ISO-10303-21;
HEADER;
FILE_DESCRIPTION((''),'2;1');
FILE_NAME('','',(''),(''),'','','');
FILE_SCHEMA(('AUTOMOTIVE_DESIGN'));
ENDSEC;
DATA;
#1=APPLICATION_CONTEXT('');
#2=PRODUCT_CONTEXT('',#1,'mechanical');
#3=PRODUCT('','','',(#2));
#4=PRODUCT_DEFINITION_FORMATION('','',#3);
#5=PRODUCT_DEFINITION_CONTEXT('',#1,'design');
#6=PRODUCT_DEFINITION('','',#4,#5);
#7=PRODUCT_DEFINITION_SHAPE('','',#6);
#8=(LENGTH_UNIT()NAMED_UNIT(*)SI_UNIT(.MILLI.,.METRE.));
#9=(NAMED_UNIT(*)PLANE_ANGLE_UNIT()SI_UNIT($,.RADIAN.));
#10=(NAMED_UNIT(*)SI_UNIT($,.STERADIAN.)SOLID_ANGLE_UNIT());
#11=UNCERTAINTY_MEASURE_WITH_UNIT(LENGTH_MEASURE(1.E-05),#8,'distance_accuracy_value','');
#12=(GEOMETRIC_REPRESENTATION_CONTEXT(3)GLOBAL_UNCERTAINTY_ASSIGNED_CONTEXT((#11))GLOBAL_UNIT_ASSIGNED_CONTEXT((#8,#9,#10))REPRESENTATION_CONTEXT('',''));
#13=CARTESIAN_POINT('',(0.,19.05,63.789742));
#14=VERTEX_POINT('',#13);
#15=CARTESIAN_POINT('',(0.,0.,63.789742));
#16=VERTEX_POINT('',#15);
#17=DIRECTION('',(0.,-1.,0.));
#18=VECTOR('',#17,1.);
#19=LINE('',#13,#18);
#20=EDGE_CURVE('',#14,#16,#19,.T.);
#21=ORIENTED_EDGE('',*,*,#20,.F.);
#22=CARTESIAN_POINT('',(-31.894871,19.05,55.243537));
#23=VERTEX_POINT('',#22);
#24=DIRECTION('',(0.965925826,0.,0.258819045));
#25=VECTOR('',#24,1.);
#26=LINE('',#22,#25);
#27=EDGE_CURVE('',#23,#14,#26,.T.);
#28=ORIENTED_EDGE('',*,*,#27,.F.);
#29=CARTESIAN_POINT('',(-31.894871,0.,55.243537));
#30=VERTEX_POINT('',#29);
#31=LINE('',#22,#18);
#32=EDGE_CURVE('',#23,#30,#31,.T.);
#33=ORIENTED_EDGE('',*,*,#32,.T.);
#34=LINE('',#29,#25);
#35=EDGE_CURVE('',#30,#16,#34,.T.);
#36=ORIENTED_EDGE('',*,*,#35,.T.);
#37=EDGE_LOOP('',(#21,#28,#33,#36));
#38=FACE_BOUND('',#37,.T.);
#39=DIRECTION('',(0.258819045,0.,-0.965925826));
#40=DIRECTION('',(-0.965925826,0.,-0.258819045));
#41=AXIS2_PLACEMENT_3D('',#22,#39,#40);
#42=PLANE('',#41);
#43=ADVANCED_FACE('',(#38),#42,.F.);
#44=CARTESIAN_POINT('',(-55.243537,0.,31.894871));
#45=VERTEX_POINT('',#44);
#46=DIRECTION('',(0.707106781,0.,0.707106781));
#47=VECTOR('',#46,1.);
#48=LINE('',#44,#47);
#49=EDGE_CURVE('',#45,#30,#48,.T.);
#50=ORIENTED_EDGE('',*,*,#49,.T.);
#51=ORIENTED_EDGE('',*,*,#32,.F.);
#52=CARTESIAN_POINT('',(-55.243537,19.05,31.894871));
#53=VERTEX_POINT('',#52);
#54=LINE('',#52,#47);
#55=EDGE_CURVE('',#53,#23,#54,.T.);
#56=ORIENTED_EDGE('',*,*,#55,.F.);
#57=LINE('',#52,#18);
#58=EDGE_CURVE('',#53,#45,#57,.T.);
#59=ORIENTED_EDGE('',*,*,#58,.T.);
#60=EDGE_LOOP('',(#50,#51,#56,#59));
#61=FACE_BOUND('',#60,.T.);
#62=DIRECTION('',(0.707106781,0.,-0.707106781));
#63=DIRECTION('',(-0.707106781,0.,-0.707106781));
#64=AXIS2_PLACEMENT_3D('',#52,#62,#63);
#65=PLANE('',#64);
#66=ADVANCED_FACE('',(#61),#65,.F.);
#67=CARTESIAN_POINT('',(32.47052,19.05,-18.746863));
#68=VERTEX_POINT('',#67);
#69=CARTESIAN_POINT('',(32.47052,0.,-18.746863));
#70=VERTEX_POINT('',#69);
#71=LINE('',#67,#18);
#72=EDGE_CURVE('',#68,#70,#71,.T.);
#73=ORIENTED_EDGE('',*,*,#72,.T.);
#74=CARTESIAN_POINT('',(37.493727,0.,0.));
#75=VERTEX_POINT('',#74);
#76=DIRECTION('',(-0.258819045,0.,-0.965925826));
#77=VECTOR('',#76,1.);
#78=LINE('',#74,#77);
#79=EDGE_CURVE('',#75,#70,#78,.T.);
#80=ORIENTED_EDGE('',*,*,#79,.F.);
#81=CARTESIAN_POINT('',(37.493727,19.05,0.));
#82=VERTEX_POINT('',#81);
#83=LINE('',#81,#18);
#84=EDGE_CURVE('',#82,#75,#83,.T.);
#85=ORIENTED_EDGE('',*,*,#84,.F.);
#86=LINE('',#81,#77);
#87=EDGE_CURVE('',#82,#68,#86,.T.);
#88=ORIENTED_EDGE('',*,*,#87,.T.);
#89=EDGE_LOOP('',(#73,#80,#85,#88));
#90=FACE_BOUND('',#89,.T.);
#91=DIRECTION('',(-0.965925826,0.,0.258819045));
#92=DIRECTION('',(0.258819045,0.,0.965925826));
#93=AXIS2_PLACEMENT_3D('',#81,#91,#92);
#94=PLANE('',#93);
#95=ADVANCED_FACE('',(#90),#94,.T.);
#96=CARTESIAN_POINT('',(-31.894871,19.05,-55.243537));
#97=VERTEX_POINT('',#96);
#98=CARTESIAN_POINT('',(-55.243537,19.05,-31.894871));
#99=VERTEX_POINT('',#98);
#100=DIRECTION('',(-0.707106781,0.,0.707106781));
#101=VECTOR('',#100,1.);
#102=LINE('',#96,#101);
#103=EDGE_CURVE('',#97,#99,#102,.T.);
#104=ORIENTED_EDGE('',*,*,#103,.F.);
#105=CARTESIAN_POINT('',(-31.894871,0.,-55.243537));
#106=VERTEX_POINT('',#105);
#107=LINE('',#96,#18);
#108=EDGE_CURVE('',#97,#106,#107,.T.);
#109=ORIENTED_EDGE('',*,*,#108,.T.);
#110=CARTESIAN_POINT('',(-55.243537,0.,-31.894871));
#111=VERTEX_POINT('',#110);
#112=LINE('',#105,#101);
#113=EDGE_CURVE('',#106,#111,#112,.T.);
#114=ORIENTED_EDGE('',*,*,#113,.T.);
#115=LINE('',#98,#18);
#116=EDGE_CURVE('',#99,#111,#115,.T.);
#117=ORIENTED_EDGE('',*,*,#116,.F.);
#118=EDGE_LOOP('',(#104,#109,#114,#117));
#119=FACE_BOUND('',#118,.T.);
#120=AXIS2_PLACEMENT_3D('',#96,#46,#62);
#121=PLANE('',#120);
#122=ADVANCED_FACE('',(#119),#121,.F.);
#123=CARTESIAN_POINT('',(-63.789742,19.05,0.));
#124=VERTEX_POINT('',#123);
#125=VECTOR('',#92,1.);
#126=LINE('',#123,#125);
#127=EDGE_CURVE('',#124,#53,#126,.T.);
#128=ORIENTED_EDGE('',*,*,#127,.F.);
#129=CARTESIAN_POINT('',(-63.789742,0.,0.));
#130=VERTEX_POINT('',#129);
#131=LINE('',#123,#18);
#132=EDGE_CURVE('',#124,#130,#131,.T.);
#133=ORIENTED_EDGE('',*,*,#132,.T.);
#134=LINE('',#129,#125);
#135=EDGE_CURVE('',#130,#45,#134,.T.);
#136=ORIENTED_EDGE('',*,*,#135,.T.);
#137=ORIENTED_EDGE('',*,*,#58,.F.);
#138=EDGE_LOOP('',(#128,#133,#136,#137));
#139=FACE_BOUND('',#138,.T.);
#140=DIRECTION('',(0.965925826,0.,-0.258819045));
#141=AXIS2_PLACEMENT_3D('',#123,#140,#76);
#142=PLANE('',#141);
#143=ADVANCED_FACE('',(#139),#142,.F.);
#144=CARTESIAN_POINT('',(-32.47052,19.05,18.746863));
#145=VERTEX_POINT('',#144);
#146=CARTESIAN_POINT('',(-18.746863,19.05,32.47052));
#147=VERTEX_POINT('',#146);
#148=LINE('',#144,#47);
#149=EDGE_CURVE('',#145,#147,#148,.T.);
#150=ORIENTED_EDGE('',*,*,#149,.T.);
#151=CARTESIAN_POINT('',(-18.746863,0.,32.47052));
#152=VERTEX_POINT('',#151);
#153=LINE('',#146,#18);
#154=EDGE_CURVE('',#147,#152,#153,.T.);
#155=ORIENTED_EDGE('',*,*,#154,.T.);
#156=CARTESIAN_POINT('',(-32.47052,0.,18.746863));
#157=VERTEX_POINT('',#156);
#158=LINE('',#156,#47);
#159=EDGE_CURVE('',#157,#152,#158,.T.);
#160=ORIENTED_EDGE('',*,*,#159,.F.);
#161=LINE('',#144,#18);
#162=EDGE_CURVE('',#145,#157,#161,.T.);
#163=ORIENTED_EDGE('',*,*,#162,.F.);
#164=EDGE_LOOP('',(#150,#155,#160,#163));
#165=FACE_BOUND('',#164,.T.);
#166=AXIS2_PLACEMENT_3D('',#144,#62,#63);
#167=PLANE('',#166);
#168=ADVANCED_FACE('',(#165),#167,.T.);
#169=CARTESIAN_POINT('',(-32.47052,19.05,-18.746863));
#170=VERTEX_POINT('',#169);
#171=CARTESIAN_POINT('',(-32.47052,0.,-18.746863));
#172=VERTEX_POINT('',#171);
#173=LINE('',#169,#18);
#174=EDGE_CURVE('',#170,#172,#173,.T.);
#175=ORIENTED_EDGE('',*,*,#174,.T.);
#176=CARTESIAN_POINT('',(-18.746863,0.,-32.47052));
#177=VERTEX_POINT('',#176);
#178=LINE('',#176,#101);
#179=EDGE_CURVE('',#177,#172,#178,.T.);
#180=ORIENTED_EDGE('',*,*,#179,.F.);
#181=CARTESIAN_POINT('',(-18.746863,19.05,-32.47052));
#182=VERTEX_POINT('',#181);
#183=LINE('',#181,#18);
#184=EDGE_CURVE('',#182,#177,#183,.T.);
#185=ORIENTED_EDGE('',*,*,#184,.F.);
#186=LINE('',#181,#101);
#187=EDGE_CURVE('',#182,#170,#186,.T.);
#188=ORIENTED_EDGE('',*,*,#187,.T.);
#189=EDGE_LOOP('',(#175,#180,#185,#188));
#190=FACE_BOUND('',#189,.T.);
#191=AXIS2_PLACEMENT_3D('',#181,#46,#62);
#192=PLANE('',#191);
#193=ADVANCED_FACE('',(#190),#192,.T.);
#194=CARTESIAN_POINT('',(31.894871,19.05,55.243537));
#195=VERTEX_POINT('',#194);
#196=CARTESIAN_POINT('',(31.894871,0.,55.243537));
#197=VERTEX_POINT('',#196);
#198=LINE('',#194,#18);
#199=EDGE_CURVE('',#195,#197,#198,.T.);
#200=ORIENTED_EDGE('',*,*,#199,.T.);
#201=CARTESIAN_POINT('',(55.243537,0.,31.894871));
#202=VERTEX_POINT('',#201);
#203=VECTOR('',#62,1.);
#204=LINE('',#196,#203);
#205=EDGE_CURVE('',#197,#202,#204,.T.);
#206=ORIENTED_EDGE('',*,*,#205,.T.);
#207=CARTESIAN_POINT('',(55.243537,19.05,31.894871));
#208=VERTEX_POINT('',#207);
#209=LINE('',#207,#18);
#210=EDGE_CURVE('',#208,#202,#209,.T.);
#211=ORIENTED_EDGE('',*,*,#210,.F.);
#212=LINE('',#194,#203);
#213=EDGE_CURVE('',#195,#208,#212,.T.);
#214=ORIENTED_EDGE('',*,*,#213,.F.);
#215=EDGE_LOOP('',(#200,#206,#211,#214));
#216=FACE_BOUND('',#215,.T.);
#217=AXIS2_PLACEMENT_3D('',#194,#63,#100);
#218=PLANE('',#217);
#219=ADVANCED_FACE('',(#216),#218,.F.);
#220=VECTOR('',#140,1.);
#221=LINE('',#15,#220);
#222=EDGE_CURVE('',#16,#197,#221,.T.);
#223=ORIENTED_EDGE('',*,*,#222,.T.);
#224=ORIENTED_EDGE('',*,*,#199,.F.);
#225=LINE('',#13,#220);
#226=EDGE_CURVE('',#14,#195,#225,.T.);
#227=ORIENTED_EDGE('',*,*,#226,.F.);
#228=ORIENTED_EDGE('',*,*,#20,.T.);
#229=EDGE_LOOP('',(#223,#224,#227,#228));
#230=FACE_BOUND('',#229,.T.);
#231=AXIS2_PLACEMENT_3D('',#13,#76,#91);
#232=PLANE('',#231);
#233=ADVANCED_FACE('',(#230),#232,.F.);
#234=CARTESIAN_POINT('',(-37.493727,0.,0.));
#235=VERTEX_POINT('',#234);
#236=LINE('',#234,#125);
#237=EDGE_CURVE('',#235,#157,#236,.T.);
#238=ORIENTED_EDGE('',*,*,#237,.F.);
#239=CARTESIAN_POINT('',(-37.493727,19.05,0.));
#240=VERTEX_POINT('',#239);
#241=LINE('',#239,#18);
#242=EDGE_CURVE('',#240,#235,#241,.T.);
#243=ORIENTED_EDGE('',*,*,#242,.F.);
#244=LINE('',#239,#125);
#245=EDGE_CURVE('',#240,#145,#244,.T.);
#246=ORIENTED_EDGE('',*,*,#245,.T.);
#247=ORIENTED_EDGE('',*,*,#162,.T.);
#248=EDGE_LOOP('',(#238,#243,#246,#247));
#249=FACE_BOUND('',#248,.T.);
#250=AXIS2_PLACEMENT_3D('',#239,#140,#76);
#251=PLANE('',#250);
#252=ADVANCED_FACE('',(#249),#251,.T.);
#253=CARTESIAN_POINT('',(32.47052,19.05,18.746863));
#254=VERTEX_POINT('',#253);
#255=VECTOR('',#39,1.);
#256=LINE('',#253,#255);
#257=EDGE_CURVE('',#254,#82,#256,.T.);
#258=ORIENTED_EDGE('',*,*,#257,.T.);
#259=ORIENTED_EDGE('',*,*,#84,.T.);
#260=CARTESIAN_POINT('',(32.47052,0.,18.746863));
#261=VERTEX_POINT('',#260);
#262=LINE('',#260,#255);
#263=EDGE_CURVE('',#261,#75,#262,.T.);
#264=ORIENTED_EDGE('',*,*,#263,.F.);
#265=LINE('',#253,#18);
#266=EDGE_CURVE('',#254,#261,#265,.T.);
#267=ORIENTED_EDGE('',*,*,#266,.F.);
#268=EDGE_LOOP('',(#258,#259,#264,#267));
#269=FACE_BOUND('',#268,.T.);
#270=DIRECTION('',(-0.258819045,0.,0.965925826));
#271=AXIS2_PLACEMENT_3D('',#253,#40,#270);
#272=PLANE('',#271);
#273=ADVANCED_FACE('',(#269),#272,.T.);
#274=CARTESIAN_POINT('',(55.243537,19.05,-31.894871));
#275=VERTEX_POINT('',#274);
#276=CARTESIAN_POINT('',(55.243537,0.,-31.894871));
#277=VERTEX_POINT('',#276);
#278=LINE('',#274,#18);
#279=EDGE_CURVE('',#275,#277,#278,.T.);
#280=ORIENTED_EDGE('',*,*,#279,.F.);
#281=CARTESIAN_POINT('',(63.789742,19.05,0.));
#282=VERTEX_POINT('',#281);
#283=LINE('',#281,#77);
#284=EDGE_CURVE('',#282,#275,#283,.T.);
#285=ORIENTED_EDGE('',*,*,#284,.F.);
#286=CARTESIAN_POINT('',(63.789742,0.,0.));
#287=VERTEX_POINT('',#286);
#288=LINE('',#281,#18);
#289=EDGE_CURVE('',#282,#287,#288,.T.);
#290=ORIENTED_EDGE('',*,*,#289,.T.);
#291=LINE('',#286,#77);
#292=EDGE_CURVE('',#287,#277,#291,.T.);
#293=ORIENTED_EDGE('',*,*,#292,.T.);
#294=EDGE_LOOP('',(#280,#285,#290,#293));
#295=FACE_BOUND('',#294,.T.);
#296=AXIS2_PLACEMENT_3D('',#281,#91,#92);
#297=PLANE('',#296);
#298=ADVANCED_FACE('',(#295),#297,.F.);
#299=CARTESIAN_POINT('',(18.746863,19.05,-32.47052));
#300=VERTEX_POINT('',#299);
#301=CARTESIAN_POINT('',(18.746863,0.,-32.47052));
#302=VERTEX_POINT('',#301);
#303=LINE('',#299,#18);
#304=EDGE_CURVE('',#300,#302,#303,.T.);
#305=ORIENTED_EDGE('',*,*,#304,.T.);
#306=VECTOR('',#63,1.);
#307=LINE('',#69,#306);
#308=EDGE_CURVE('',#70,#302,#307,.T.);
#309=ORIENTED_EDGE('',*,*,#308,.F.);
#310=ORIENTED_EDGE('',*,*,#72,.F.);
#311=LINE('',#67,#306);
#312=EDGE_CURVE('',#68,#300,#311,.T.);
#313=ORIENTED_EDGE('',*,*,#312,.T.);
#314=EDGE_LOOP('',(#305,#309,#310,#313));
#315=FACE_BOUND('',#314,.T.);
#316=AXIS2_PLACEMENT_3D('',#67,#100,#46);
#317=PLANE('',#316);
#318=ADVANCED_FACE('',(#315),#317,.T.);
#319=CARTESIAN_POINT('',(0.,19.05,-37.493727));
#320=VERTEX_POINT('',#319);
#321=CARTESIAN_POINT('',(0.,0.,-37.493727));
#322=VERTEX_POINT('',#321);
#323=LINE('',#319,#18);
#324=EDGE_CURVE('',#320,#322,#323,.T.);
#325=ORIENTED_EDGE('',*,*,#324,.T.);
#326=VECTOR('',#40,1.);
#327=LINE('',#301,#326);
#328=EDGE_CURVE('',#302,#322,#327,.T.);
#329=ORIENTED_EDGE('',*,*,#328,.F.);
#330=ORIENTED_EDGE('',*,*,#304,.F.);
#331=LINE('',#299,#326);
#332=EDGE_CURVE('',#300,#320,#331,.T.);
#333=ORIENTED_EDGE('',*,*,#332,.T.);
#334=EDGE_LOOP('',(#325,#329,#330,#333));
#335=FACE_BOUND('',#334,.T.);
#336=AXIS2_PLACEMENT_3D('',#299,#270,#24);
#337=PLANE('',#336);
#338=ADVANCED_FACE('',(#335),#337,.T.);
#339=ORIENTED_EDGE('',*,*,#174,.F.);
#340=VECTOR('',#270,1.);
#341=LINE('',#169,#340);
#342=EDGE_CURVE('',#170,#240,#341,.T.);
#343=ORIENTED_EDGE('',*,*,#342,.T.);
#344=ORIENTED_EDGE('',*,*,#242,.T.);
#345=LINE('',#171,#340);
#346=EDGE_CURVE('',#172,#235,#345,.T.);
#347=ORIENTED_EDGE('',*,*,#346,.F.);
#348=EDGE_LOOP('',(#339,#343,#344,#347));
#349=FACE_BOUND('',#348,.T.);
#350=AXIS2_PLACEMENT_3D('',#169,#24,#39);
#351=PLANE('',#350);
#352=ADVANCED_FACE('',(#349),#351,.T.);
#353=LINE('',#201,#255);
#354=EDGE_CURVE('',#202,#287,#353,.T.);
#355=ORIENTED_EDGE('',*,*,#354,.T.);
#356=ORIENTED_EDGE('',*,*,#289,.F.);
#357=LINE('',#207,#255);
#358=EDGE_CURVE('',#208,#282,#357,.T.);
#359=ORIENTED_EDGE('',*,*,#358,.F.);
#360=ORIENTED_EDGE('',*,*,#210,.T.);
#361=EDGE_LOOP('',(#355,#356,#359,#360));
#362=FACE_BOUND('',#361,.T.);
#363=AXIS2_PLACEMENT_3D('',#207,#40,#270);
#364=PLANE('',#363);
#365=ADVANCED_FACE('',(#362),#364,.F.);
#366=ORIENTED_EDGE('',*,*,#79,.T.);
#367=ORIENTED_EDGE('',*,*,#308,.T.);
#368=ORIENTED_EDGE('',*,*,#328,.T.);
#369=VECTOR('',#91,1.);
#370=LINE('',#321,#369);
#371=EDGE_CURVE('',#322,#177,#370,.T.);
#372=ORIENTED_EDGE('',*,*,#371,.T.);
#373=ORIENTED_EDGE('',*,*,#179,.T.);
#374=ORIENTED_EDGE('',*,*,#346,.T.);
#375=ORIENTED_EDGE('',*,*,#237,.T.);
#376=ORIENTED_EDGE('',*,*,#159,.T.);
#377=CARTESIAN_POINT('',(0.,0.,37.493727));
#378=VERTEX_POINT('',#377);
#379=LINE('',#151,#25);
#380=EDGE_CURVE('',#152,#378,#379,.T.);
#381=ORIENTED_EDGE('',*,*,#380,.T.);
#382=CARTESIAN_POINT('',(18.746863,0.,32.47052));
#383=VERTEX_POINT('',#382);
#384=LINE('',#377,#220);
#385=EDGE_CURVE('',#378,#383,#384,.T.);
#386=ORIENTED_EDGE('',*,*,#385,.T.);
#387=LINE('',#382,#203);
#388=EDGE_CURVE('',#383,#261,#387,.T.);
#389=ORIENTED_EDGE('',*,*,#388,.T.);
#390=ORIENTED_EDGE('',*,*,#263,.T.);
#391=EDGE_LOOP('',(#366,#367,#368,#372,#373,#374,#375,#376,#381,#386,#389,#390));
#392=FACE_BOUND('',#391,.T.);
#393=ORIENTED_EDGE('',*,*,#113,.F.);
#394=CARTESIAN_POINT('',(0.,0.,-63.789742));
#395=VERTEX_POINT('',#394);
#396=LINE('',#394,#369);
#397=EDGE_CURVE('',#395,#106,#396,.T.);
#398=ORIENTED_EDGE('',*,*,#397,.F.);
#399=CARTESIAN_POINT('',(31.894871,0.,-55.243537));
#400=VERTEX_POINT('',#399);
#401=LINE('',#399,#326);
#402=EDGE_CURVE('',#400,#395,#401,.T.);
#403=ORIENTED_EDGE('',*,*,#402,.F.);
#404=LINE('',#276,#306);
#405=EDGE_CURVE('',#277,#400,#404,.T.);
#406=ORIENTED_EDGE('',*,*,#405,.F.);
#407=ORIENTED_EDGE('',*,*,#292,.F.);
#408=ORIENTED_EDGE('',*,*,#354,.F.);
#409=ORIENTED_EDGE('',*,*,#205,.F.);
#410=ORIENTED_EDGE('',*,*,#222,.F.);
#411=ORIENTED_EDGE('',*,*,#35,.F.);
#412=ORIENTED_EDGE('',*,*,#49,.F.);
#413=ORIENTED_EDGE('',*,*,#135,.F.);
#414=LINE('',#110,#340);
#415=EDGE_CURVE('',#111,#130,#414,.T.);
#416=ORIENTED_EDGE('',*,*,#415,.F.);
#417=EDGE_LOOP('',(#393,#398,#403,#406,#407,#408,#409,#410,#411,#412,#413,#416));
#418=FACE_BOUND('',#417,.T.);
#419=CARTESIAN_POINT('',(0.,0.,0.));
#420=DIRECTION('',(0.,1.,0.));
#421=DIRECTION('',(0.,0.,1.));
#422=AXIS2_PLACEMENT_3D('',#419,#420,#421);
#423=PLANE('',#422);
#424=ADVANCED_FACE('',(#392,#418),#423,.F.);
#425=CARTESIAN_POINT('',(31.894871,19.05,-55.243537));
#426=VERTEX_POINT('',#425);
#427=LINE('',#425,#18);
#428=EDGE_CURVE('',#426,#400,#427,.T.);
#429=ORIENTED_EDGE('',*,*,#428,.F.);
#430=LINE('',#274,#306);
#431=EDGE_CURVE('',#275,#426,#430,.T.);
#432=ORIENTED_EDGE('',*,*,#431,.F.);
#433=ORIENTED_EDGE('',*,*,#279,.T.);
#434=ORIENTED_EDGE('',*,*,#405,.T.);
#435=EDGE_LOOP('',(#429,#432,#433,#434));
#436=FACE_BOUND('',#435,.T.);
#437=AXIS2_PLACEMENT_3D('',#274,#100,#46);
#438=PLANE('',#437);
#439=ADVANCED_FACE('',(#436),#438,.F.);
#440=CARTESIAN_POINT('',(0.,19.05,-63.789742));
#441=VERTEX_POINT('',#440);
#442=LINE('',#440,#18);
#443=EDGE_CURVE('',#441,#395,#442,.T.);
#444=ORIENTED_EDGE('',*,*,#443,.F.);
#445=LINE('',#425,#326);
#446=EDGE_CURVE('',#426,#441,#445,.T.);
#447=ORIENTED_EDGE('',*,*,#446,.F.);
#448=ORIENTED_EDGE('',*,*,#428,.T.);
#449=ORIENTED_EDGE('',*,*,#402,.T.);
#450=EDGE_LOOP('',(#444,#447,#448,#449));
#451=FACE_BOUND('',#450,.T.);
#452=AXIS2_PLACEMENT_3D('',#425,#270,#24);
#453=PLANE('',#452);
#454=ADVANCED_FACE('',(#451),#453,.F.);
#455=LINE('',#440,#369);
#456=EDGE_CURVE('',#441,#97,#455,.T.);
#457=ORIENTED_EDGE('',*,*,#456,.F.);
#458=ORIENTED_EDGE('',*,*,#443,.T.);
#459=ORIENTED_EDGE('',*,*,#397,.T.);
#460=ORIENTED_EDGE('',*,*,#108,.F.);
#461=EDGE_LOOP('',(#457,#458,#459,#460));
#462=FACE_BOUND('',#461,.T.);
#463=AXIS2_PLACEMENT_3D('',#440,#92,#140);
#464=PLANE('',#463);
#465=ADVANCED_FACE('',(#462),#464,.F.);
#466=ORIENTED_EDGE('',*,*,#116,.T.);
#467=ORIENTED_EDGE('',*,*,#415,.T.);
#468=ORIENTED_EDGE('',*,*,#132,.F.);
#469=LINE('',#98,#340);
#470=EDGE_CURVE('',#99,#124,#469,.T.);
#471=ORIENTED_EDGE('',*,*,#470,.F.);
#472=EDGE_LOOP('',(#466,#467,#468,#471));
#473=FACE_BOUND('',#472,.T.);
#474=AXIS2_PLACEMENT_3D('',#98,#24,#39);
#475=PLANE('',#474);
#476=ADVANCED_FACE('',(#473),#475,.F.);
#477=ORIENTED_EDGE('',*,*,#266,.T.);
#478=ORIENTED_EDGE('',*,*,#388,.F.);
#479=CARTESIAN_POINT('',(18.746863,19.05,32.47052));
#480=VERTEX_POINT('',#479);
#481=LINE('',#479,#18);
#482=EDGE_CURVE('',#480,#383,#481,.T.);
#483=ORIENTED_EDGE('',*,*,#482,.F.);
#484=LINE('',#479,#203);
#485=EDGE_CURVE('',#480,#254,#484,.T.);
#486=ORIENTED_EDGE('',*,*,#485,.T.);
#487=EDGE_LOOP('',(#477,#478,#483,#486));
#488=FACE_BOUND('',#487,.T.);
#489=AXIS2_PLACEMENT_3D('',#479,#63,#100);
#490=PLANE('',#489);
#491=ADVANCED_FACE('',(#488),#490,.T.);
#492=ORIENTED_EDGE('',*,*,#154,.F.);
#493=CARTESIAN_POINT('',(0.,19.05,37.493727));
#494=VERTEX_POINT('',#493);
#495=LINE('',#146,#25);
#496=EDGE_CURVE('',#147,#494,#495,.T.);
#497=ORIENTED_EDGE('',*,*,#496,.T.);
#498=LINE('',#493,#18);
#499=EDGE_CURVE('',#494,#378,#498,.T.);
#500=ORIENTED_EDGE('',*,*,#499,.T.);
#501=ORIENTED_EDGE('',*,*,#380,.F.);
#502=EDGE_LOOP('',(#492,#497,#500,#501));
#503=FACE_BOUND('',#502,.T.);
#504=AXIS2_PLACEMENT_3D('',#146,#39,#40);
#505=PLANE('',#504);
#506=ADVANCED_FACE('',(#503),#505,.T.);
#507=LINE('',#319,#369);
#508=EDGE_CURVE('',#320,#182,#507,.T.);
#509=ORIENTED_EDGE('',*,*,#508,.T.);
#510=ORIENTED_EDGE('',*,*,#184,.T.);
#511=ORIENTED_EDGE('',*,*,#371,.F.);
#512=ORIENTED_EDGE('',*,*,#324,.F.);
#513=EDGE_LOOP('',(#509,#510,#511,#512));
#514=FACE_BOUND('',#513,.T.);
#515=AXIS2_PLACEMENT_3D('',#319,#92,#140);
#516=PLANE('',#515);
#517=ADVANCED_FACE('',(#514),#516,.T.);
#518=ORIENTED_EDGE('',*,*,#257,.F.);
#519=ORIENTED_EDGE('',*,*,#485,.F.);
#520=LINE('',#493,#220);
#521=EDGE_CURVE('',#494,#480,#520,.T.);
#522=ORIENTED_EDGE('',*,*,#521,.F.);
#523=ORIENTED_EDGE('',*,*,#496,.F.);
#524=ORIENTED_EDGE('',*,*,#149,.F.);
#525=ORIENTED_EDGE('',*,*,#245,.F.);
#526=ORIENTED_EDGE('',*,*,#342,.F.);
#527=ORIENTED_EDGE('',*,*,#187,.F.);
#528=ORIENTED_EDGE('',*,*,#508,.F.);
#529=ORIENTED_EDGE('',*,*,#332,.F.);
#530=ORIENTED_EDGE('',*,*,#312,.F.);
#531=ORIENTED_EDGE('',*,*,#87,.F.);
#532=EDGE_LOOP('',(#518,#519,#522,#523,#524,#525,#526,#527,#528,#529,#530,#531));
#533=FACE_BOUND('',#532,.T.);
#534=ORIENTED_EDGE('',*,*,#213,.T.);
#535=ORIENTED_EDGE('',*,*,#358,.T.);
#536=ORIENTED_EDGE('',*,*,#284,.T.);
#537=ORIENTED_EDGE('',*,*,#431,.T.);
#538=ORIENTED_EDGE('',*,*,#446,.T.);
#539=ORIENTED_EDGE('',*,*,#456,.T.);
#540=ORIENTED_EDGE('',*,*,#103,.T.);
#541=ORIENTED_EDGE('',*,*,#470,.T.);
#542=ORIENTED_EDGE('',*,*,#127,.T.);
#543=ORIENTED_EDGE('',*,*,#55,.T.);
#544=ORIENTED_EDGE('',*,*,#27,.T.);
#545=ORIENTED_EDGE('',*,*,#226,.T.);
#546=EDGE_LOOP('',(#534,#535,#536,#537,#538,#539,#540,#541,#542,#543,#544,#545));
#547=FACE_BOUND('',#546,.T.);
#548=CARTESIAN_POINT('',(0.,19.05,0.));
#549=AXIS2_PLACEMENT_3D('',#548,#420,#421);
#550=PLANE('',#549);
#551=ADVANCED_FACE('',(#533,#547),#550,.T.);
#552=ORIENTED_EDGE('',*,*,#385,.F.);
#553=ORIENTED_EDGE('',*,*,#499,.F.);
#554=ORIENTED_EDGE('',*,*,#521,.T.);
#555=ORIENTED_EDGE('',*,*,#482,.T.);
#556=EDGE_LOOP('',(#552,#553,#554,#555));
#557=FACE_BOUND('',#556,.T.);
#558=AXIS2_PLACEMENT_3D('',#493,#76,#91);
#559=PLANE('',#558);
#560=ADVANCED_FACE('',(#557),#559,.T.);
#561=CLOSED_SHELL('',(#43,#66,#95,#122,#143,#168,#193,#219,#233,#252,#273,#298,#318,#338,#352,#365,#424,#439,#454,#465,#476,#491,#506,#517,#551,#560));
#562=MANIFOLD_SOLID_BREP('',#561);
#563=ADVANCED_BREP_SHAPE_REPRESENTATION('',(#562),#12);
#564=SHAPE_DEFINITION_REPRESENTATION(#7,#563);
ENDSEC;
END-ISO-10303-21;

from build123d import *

# Parameters (mm, degrees)
BOSS_EXTRUDE1_DEPTH = 19.05


with BuildPart() as part:
    # Sketch1 → Boss-Extrude1 (new body)
    with BuildSketch(Plane(origin=(0, 0, 0), x_dir=(1, 0, 0), z_dir=(0, 1, 0))):
        Polygon((63.789741568, 0), (55.243536699, 31.894870784), (31.894870784, 55.243536699), (0, 63.789741568), (-31.894870784, 55.243536699), (-55.243536699, 31.894870784), (-63.789741568, 0), (-55.243536699, -31.894870784), (-31.894870784, -55.243536699), (0, -63.789741568), (31.894870784, -55.243536699), (55.243536699, -31.894870784), align=None)
        Polygon((37.493726586, 0), (32.470519706, 18.746863293), (18.746863293, 32.470519706), (0, 37.493726586), (-18.746863293, 32.470519706), (-32.470519706, 18.746863293), (-37.493726586, 0), (-32.470519706, -18.746863293), (-18.746863293, -32.470519706), (0, -37.493726586), (18.746863293, -32.470519706), (32.470519706, -18.746863293), align=None, mode=Mode.SUBTRACT)
    extrude(amount=BOSS_EXTRUDE1_DEPTH)


solid = part.part
